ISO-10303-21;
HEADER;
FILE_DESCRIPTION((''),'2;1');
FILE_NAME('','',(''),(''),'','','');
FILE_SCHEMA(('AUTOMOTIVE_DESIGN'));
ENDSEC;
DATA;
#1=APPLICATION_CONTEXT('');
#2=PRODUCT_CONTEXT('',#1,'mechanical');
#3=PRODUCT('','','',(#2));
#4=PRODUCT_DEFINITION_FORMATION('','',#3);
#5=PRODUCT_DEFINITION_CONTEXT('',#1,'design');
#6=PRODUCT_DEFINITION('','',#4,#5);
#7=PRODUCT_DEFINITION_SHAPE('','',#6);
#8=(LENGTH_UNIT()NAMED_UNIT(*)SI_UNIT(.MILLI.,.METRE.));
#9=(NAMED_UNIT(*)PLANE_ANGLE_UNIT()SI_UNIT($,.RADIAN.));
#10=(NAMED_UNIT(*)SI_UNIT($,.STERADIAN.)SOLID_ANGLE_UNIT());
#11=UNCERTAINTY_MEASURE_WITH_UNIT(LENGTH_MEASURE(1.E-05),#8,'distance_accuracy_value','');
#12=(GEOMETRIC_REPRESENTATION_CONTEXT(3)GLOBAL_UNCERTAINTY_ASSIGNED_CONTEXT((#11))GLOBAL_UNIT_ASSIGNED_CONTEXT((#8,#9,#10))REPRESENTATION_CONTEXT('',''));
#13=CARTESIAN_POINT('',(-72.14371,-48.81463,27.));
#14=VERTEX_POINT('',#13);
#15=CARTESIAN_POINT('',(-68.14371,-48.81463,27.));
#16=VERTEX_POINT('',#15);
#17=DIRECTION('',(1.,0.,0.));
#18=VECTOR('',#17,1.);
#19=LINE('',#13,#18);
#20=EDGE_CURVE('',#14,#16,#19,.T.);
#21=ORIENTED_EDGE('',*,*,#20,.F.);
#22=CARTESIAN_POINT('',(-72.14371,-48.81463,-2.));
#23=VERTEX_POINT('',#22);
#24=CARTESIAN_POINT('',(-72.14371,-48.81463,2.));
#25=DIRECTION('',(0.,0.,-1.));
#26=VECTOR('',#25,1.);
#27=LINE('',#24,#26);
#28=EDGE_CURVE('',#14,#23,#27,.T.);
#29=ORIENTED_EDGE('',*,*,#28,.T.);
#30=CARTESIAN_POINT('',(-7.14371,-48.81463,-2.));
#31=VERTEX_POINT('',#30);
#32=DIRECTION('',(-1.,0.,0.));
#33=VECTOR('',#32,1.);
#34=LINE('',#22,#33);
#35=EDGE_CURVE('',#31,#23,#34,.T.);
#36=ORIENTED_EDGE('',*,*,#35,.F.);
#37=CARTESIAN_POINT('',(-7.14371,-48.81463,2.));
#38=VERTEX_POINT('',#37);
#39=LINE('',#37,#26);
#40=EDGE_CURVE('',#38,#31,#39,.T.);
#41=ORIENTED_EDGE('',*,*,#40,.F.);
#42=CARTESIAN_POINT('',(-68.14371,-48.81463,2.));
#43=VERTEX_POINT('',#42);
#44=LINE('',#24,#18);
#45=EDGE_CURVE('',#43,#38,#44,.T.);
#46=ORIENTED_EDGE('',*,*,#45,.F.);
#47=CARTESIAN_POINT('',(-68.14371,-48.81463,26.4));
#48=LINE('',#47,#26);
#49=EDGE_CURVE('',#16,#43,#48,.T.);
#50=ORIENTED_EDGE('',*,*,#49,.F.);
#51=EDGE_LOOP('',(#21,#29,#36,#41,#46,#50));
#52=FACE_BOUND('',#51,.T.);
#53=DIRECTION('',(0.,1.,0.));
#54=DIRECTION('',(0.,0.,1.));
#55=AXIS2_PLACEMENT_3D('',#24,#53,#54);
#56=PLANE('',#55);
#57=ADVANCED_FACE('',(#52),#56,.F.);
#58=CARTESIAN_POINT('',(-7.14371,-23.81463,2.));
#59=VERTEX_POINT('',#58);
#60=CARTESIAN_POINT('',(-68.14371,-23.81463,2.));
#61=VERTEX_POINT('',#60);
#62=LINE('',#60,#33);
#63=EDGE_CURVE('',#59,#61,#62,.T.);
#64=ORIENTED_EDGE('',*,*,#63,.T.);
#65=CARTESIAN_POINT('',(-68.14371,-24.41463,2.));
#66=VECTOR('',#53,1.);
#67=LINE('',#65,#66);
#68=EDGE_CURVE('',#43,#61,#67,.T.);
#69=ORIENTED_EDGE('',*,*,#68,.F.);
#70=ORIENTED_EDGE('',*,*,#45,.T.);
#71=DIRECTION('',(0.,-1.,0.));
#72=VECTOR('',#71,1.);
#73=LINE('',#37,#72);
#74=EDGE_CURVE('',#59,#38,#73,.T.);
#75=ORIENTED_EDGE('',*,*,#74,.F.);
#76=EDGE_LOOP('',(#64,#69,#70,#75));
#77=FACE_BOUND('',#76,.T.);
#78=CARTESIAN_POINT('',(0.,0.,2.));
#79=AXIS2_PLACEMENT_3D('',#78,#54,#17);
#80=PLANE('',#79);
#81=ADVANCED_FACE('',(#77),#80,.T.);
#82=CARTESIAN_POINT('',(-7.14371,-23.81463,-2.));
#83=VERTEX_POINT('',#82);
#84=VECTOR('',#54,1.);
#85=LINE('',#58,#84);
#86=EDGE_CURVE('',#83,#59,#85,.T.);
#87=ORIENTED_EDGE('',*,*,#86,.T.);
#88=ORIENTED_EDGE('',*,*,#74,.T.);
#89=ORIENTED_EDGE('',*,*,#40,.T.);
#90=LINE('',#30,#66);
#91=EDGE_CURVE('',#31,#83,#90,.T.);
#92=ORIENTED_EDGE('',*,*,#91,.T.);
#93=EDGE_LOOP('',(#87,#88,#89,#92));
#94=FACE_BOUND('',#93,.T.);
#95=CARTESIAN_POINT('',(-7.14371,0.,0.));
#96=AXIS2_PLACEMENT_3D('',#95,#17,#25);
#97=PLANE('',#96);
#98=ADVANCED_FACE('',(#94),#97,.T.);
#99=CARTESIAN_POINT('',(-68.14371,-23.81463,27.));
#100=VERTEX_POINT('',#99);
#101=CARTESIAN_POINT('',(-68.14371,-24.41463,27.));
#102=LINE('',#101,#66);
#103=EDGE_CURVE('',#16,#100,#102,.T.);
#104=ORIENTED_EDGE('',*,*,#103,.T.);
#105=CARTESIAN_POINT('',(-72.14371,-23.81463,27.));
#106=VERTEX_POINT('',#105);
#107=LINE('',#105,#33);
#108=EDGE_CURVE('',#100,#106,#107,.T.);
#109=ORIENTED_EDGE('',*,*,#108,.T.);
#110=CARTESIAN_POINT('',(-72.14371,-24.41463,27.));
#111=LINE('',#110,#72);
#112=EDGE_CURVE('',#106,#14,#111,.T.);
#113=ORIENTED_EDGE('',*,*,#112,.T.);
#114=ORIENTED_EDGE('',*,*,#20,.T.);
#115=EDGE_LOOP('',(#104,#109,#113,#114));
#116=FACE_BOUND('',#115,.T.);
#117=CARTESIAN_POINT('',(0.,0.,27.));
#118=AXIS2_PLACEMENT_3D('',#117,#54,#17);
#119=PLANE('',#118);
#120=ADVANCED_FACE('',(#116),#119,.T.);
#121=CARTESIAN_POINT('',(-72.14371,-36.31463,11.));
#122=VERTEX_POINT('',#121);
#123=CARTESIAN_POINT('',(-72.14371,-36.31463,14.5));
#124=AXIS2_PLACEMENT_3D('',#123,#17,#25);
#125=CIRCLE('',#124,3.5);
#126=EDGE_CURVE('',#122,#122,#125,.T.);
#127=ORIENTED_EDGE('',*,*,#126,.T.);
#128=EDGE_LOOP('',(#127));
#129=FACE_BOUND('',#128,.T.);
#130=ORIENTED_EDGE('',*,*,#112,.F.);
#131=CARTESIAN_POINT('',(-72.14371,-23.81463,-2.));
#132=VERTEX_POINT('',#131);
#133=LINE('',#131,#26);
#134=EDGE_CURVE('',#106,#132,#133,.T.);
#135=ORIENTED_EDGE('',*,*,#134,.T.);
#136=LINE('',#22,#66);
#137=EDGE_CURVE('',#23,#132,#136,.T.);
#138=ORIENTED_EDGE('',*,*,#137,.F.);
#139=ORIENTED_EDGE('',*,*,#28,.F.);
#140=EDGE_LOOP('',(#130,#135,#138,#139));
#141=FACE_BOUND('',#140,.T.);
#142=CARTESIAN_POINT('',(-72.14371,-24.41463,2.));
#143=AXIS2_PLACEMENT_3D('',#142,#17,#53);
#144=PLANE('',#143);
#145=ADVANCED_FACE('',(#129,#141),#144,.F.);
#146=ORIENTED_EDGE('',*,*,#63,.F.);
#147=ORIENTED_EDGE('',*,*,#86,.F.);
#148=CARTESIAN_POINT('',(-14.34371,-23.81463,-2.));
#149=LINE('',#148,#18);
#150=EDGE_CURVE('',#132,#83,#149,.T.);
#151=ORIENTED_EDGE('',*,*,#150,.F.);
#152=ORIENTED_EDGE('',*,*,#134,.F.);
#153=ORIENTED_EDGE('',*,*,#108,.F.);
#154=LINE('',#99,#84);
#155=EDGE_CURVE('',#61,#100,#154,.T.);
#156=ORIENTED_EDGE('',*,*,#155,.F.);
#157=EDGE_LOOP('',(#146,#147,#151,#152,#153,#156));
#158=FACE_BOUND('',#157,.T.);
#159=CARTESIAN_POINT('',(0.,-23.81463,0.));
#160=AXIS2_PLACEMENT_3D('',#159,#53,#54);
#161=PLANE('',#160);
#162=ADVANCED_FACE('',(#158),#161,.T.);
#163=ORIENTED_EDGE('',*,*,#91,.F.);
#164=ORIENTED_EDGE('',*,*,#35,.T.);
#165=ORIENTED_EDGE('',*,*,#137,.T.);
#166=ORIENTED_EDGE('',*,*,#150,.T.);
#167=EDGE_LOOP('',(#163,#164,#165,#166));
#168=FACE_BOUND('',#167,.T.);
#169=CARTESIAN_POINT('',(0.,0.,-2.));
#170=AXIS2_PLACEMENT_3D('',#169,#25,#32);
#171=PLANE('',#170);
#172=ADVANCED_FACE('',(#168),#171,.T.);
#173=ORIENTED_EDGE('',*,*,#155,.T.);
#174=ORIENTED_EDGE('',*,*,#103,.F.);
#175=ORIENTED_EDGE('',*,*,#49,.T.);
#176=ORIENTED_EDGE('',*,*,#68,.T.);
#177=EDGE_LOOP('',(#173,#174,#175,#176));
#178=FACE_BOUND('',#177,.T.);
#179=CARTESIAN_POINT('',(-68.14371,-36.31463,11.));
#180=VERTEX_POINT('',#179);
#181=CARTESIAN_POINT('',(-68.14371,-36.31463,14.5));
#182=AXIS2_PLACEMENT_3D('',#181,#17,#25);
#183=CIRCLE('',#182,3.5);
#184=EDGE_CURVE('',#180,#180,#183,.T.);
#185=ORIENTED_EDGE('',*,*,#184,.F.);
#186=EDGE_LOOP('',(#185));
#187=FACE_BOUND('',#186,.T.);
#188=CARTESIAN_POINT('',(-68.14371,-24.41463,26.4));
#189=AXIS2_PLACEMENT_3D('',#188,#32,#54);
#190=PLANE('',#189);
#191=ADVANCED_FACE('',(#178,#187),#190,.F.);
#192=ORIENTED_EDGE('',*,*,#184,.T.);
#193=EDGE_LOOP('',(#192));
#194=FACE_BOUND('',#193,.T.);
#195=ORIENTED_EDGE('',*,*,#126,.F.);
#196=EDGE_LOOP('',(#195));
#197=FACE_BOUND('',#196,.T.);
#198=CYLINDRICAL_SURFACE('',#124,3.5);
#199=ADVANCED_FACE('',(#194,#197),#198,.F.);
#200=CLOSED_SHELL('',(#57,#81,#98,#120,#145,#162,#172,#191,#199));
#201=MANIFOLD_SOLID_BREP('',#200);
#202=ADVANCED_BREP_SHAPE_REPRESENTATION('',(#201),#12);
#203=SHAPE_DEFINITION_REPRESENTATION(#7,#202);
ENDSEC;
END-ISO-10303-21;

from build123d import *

# Parameters (mm, degrees)
SKETCH1_W                = 57.8
SKETCH1_H                = 24.4
BOSS_EXTRUDE1_DEPTH      = 2
SKETCH2_W                = 4
SKETCH2_H                = 24.4
BOSS_EXTRUDE2_DEPTH      = 24.4
SKETCH3_R                = 3
CUT_EXTRUDE1_DEPTH       = 78.293389523
SKETCH4_R                = 1.5
CUT_EXTRUDE2_DEPTH       = 91.459620286
SKETCH5_W                = 57.8
SKETCH5_H                = 24.4
BOSS_EXTRUDE3_DEPTH      = 2
SKETCH6_R                = 1.5
CUT_EXTRUDE3_DEPTH       = 13
SKETCH8_W                = 4
SKETCH8_H                = 24.4
BOSS_EXTRUDE4_DEPTH      = 25
BOSS_EXTRUDE5_DEPTH      = 25
SKETCH10_R               = 1.5
CUT_EXTRUDE4_DEPTH       = 91.623302203
SKETCH11_R               = 3.5
CUT_EXTRUDE5_DEPTH       = 78.500374605
BOSS_EXTRUDE6_DEPTH      = 61
BOSS_EXTRUDE6_DEPTH_BACK = 4
SKETCH14_W               = 4
SKETCH14_H               = 25


with BuildPart() as part:
    # Sketch1 → Boss-Extrude1 (new body)
    with BuildSketch(Plane.XY):
        with Locations((-43.243709624, -36.61462961)):
            Rectangle(SKETCH1_W, SKETCH1_H)
    extrude(amount=BOSS_EXTRUDE1_DEPTH)

    # Sketch2 → Boss-Extrude2 (add)
    with BuildSketch(Plane.XY.offset(2)):
        with Locations((-70.143709624, -36.61462961)):
            Rectangle(SKETCH2_W, SKETCH2_H)
    extrude(amount=BOSS_EXTRUDE2_DEPTH)

    # Sketch3 → Cut-Extrude1 (cut, through all)
    with BuildSketch(Plane(origin=(-68.143709624, 0, 0), x_dir=(0, 0, -1), z_dir=(1, 0, 0))):
        with Locations((-14.2, -36.61462961)):
            Circle(SKETCH3_R)
    extrude(amount=-CUT_EXTRUDE1_DEPTH, mode=Mode.SUBTRACT)

    # Sketch4 → Cut-Extrude2 (cut, through all)
    with BuildSketch(Plane.XY.offset(2)):
        with Locations((-60.143709624, -43.81462961)):
            Circle(SKETCH4_R)
        with Locations((-20.143709624, -43.81462961)):
            Circle(SKETCH4_R)
        with Locations((-20.143709624, -28.81462961)):
            Circle(SKETCH4_R)
        with Locations((-60.143709624, -28.81462961)):
            Circle(SKETCH4_R)
    extrude(amount=-CUT_EXTRUDE2_DEPTH, mode=Mode.SUBTRACT)

    # Sketch5 → Boss-Extrude3 (add)
    with BuildSketch(Plane(origin=(0, 0, 0), x_dir=(-1, 0, 0), z_dir=(0, 0, -1))):
        with Locations((43.243709624, -36.61462961)):
            Rectangle(SKETCH5_W, SKETCH5_H)
    extrude(amount=BOSS_EXTRUDE3_DEPTH)

    # Sketch6 → Cut-Extrude3 (cut)
    with BuildSketch(Plane.XY):
        with Locations((-60.143709624, -28.81462961)):
            Circle(SKETCH6_R)
        with Locations((-20.143709624, -28.81462961)):
            Circle(SKETCH6_R)
        with Locations((-20.143709624, -43.81462961)):
            Circle(SKETCH6_R)
        with Locations((-60.143709624, -43.81462961)):
            Circle(SKETCH6_R)
    extrude(amount=-CUT_EXTRUDE3_DEPTH, mode=Mode.SUBTRACT)

    # Sketch8 → Boss-Extrude4 (add)
    with BuildSketch(Plane.XY.offset(2)):
        with Locations((-70.143709624, -36.61462961)):
            Rectangle(SKETCH8_W, SKETCH8_H)
    extrude(amount=BOSS_EXTRUDE4_DEPTH)

    # Sketch9 → Boss-Extrude5 (add)
    with BuildSketch(Plane(origin=(0, -48.81462961, 0), x_dir=(-1, 0, 0), z_dir=(0, -1, 0))):
        Polygon((72.143709624, -27), (68.143709624, -27), (68.143709624, -2), (14.343709624, -2), (14.343709624, 2), (72.143709624, 2), align=None)
    extrude(amount=-BOSS_EXTRUDE5_DEPTH)

    # Sketch10 → Cut-Extrude4 (cut, through all)
    with BuildSketch(Plane.XY.offset(2)):
        with Locations((-58.143709624, -28.81462961)):
            Circle(SKETCH10_R)
        with Locations((-28.143709624, -28.81462961)):
            Circle(SKETCH10_R)
        with Locations((-28.143709624, -43.81462961)):
            Circle(SKETCH10_R)
        with Locations((-58.143709624, -43.81462961)):
            Circle(SKETCH10_R)
    extrude(amount=-CUT_EXTRUDE4_DEPTH, mode=Mode.SUBTRACT)

    # Sketch11 → Cut-Extrude5 (cut, through all)
    with BuildSketch(Plane(origin=(-68.143709624, 0, 0), x_dir=(0, 0, -1), z_dir=(1, 0, 0))):
        with Locations((-14.5, -36.31462961)):
            Circle(SKETCH11_R)
    extrude(amount=-CUT_EXTRUDE5_DEPTH, mode=Mode.SUBTRACT)

    # Sketch14 → Boss-Extrude6 (add, two sides: drawn at the far end of the back side and taken through both)
    with BuildSketch(Plane(origin=(-68.143709624, 0, 0), x_dir=(0, 0, -1), z_dir=(1, 0, 0)).offset(-BOSS_EXTRUDE6_DEPTH_BACK)):
        with Locations((0, -36.31462961)):
            Rectangle(SKETCH14_W, SKETCH14_H)
    extrude(amount=BOSS_EXTRUDE6_DEPTH + BOSS_EXTRUDE6_DEPTH_BACK)


solid = part.part
